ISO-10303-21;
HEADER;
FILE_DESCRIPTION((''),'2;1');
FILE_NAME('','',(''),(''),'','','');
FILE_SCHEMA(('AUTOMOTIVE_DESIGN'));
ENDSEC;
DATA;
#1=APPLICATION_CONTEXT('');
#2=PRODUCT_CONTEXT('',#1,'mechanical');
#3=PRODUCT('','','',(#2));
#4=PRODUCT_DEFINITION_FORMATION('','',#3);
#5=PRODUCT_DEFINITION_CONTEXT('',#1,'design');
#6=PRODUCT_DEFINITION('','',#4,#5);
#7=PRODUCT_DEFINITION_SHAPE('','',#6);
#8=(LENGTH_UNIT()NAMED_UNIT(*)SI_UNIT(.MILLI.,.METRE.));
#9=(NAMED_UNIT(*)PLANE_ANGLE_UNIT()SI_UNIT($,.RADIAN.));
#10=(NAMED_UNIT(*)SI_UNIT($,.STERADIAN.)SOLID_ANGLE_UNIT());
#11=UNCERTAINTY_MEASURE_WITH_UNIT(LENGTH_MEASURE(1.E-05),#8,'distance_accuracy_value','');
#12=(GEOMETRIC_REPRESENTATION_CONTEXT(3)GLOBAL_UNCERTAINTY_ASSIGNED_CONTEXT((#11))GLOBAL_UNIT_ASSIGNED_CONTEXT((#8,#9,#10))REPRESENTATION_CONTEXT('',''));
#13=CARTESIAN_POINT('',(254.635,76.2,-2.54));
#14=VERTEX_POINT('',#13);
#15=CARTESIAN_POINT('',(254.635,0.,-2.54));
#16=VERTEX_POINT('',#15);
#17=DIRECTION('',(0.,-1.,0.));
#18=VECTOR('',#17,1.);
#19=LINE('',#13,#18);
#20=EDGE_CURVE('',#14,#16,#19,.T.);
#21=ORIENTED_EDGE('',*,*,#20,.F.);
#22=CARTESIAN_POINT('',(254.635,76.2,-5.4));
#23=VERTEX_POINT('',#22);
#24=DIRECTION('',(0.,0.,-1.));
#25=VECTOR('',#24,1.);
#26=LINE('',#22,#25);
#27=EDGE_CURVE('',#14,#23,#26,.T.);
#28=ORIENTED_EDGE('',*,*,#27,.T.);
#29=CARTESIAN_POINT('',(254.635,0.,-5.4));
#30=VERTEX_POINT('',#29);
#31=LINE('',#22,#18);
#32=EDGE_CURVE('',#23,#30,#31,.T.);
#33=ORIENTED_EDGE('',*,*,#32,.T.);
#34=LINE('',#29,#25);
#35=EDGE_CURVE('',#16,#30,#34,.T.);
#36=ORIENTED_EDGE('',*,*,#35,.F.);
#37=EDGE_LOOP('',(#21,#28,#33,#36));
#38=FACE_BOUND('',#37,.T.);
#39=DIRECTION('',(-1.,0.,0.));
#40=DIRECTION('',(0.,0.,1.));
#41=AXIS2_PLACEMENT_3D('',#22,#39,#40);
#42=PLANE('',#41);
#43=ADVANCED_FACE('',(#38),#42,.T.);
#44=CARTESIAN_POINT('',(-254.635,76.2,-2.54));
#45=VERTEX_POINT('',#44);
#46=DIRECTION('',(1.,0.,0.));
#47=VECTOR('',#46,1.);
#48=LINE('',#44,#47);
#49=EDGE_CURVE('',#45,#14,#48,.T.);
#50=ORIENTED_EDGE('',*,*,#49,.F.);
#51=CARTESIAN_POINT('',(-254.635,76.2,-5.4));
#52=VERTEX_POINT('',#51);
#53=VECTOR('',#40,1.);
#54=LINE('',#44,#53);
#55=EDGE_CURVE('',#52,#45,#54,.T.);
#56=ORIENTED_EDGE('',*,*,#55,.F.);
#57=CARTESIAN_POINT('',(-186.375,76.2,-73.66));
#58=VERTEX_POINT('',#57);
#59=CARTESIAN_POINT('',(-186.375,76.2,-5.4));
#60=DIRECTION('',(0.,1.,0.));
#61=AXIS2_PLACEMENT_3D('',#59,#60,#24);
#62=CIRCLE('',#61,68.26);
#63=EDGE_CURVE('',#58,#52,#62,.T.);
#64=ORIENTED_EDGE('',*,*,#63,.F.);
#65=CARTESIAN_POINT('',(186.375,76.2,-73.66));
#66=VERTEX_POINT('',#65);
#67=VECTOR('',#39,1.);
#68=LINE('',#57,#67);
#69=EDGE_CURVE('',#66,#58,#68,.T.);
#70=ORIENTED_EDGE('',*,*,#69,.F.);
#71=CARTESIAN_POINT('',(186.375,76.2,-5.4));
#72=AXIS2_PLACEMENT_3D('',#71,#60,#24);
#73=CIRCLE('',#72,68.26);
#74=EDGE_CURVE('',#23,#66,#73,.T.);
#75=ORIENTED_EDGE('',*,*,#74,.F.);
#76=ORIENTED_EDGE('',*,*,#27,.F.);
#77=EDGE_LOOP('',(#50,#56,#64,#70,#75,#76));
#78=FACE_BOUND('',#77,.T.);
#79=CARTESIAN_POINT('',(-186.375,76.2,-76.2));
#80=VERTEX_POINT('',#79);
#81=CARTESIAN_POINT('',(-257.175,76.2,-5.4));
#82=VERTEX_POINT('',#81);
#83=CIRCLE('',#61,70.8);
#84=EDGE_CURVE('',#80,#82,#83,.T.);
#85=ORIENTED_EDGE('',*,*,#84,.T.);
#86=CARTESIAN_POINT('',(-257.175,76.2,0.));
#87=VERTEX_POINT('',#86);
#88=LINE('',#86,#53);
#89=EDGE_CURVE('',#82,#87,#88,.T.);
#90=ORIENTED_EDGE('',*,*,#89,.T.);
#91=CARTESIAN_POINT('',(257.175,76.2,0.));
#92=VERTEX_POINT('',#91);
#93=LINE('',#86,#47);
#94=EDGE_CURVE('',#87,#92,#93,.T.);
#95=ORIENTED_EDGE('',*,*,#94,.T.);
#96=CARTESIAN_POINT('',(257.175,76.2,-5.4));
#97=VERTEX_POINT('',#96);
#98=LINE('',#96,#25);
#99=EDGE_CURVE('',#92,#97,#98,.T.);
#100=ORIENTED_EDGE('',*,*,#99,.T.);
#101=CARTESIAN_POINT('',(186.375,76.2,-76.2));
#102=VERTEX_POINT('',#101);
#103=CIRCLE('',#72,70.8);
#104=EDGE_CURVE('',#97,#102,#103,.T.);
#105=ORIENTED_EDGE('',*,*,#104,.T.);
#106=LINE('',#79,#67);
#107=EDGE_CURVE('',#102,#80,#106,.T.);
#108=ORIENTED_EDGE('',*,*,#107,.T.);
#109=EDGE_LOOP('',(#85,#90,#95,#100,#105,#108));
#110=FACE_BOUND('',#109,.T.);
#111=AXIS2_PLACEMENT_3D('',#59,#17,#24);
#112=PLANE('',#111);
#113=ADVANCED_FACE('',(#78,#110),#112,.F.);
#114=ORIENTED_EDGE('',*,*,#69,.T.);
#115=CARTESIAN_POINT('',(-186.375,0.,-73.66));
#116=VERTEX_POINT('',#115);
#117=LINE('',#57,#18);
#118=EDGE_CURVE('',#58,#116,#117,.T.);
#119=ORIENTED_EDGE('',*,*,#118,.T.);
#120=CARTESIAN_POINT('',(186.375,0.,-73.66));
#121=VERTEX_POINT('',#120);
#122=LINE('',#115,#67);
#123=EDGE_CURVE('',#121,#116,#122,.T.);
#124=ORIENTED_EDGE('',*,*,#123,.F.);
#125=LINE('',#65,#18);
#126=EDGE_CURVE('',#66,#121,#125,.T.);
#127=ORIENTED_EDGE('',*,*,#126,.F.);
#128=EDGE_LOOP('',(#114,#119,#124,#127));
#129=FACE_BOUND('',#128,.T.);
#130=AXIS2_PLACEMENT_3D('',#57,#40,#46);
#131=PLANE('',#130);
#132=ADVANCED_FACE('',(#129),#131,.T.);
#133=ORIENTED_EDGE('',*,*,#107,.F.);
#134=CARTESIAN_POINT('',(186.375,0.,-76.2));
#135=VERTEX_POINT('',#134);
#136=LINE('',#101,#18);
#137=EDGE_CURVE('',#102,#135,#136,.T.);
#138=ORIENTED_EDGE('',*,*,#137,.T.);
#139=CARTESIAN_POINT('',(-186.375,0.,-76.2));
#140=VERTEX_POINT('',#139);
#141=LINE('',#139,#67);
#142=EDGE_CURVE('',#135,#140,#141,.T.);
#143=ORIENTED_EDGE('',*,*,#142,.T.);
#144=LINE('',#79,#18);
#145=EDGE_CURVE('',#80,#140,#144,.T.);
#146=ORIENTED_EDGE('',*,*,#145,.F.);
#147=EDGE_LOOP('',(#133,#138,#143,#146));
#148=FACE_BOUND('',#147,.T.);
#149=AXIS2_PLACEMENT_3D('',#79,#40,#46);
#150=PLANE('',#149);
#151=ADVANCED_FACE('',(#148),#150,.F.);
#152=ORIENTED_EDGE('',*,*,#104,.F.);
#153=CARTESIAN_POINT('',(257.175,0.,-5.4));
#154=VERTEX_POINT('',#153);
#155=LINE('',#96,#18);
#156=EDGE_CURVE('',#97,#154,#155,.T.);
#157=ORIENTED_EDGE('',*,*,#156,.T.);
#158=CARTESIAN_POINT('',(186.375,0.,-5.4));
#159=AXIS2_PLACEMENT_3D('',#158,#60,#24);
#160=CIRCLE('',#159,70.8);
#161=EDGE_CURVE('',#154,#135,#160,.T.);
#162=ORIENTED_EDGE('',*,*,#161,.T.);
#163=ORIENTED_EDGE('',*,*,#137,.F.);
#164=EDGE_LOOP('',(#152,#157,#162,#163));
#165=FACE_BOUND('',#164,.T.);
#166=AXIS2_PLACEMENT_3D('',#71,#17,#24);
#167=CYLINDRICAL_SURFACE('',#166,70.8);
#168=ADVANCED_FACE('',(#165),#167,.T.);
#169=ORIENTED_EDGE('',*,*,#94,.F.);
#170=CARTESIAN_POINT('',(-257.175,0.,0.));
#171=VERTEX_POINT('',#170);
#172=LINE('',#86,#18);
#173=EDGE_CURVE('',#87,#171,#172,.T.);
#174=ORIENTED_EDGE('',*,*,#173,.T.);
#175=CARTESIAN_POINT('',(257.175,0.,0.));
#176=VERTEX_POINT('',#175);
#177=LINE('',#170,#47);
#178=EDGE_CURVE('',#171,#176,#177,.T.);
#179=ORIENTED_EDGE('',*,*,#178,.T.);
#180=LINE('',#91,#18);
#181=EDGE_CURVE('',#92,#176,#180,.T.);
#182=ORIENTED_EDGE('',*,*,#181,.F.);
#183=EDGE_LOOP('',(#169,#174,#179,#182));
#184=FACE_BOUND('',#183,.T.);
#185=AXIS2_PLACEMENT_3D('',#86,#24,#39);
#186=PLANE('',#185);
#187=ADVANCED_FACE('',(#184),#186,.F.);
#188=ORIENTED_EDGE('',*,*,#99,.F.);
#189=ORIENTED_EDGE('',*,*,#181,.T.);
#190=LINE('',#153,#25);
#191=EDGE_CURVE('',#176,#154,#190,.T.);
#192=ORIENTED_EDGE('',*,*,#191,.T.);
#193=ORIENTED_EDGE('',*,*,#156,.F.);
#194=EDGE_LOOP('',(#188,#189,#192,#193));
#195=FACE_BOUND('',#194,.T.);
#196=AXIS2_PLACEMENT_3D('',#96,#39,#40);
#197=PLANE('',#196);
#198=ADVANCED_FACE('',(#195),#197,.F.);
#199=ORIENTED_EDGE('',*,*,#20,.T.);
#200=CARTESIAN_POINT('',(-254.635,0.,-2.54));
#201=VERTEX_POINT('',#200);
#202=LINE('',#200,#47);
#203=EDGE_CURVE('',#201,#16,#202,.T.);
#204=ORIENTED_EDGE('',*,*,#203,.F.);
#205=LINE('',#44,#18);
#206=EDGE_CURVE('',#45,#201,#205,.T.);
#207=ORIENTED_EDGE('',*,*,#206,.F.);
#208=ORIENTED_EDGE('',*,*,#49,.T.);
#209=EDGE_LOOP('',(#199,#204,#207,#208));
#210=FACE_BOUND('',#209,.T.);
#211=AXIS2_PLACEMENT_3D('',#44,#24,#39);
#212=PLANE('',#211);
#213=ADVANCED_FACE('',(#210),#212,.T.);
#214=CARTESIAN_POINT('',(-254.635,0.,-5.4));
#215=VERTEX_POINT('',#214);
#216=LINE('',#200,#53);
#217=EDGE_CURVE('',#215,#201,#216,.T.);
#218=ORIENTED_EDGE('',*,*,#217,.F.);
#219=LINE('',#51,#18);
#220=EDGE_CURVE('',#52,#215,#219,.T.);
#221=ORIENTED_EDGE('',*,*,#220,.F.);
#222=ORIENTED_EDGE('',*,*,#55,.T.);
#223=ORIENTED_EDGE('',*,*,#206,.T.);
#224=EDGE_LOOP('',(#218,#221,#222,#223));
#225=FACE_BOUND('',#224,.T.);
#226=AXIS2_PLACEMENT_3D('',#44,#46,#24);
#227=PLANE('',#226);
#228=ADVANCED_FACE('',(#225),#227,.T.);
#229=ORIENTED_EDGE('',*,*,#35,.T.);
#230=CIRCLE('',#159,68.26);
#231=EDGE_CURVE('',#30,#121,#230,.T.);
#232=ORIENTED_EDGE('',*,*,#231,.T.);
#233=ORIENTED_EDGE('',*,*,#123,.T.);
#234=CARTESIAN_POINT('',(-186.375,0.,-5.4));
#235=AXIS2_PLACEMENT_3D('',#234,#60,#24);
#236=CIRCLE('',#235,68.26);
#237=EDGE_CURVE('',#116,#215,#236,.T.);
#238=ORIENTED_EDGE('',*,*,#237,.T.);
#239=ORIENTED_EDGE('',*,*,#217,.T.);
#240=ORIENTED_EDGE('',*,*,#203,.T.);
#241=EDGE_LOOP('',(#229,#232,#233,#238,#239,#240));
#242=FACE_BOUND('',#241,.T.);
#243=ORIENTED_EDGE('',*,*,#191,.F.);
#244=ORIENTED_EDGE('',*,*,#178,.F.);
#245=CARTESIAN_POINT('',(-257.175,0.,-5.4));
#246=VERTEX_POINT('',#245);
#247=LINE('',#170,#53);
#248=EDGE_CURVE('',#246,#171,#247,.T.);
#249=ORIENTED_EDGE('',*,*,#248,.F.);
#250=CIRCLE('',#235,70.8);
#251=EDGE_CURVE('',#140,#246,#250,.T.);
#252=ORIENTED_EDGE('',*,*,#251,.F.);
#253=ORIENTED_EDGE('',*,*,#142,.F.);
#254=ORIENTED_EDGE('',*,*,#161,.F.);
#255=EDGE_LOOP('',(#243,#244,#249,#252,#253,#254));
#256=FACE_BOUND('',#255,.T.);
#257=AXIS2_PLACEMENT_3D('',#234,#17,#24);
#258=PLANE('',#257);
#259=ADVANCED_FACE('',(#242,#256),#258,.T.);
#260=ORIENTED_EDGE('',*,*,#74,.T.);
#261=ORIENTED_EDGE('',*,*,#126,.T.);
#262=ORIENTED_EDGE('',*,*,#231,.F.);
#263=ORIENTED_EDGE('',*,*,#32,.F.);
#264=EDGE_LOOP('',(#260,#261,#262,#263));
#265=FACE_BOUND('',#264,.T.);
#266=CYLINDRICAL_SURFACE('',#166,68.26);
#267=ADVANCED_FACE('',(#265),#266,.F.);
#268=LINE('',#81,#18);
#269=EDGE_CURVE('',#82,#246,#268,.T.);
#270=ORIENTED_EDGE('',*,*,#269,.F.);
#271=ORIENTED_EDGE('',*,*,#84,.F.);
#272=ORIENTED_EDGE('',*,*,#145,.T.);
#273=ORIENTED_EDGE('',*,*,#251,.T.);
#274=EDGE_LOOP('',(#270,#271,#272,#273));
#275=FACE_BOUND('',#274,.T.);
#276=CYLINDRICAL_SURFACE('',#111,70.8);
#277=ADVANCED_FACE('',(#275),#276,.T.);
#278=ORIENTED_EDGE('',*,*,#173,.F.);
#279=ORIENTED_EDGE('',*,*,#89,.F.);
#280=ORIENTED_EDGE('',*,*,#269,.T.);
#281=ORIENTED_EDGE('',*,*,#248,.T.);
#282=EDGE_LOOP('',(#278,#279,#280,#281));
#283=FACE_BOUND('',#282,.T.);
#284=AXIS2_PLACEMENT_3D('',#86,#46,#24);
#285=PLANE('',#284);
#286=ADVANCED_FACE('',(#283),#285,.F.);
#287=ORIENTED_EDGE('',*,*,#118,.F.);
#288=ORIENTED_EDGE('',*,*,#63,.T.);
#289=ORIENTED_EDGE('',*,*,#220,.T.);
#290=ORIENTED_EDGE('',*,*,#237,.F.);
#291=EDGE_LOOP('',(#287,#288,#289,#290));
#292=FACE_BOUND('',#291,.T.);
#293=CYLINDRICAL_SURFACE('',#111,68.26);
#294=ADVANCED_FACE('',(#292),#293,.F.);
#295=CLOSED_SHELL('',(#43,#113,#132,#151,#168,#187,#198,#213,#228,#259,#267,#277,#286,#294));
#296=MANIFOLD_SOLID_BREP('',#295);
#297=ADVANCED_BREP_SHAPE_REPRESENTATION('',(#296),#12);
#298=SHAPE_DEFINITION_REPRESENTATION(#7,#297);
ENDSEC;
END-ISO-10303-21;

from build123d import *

# Parameters (mm, degrees)
BOSS_EXTRUDE1_DEPTH = 76.2


with BuildPart() as part:
    # Sketch1 → Boss-Extrude1 (new body)
    with BuildSketch(Plane(origin=(0, 0, 0), x_dir=(1, 0, 0), z_dir=(0, 1, 0))):
        with BuildLine():
            Line((-257.175, 0), (257.175, 0))
            Line((257.175, 0), (257.175, 5.4))
            ThreePointArc((257.175, 5.4), (236.438160108, 55.463160108), (186.375, 76.2))
            Line((186.375, 76.2), (-186.375, 76.2))
            ThreePointArc((-186.375, 76.2), (-236.438160108, 55.463160108), (-257.175, 5.4))
            Line((-257.175, 5.4), (-257.175, 0))
        make_face()
        with BuildLine():
            Line((254.635, 5.4), (254.635, 2.54))
            Line((254.635, 2.54), (-254.635, 2.54))
            Line((-254.635, 2.54), (-254.635, 5.4))
            ThreePointArc((-254.635, 5.4), (-234.642108884, 53.667108884), (-186.375, 73.66))
            Line((-186.375, 73.66), (186.375, 73.66))
            ThreePointArc((186.375, 73.66), (234.642108884, 53.667108884), (254.635, 5.4))
        make_face(mode=Mode.SUBTRACT)
    extrude(amount=BOSS_EXTRUDE1_DEPTH)


solid = part.part
